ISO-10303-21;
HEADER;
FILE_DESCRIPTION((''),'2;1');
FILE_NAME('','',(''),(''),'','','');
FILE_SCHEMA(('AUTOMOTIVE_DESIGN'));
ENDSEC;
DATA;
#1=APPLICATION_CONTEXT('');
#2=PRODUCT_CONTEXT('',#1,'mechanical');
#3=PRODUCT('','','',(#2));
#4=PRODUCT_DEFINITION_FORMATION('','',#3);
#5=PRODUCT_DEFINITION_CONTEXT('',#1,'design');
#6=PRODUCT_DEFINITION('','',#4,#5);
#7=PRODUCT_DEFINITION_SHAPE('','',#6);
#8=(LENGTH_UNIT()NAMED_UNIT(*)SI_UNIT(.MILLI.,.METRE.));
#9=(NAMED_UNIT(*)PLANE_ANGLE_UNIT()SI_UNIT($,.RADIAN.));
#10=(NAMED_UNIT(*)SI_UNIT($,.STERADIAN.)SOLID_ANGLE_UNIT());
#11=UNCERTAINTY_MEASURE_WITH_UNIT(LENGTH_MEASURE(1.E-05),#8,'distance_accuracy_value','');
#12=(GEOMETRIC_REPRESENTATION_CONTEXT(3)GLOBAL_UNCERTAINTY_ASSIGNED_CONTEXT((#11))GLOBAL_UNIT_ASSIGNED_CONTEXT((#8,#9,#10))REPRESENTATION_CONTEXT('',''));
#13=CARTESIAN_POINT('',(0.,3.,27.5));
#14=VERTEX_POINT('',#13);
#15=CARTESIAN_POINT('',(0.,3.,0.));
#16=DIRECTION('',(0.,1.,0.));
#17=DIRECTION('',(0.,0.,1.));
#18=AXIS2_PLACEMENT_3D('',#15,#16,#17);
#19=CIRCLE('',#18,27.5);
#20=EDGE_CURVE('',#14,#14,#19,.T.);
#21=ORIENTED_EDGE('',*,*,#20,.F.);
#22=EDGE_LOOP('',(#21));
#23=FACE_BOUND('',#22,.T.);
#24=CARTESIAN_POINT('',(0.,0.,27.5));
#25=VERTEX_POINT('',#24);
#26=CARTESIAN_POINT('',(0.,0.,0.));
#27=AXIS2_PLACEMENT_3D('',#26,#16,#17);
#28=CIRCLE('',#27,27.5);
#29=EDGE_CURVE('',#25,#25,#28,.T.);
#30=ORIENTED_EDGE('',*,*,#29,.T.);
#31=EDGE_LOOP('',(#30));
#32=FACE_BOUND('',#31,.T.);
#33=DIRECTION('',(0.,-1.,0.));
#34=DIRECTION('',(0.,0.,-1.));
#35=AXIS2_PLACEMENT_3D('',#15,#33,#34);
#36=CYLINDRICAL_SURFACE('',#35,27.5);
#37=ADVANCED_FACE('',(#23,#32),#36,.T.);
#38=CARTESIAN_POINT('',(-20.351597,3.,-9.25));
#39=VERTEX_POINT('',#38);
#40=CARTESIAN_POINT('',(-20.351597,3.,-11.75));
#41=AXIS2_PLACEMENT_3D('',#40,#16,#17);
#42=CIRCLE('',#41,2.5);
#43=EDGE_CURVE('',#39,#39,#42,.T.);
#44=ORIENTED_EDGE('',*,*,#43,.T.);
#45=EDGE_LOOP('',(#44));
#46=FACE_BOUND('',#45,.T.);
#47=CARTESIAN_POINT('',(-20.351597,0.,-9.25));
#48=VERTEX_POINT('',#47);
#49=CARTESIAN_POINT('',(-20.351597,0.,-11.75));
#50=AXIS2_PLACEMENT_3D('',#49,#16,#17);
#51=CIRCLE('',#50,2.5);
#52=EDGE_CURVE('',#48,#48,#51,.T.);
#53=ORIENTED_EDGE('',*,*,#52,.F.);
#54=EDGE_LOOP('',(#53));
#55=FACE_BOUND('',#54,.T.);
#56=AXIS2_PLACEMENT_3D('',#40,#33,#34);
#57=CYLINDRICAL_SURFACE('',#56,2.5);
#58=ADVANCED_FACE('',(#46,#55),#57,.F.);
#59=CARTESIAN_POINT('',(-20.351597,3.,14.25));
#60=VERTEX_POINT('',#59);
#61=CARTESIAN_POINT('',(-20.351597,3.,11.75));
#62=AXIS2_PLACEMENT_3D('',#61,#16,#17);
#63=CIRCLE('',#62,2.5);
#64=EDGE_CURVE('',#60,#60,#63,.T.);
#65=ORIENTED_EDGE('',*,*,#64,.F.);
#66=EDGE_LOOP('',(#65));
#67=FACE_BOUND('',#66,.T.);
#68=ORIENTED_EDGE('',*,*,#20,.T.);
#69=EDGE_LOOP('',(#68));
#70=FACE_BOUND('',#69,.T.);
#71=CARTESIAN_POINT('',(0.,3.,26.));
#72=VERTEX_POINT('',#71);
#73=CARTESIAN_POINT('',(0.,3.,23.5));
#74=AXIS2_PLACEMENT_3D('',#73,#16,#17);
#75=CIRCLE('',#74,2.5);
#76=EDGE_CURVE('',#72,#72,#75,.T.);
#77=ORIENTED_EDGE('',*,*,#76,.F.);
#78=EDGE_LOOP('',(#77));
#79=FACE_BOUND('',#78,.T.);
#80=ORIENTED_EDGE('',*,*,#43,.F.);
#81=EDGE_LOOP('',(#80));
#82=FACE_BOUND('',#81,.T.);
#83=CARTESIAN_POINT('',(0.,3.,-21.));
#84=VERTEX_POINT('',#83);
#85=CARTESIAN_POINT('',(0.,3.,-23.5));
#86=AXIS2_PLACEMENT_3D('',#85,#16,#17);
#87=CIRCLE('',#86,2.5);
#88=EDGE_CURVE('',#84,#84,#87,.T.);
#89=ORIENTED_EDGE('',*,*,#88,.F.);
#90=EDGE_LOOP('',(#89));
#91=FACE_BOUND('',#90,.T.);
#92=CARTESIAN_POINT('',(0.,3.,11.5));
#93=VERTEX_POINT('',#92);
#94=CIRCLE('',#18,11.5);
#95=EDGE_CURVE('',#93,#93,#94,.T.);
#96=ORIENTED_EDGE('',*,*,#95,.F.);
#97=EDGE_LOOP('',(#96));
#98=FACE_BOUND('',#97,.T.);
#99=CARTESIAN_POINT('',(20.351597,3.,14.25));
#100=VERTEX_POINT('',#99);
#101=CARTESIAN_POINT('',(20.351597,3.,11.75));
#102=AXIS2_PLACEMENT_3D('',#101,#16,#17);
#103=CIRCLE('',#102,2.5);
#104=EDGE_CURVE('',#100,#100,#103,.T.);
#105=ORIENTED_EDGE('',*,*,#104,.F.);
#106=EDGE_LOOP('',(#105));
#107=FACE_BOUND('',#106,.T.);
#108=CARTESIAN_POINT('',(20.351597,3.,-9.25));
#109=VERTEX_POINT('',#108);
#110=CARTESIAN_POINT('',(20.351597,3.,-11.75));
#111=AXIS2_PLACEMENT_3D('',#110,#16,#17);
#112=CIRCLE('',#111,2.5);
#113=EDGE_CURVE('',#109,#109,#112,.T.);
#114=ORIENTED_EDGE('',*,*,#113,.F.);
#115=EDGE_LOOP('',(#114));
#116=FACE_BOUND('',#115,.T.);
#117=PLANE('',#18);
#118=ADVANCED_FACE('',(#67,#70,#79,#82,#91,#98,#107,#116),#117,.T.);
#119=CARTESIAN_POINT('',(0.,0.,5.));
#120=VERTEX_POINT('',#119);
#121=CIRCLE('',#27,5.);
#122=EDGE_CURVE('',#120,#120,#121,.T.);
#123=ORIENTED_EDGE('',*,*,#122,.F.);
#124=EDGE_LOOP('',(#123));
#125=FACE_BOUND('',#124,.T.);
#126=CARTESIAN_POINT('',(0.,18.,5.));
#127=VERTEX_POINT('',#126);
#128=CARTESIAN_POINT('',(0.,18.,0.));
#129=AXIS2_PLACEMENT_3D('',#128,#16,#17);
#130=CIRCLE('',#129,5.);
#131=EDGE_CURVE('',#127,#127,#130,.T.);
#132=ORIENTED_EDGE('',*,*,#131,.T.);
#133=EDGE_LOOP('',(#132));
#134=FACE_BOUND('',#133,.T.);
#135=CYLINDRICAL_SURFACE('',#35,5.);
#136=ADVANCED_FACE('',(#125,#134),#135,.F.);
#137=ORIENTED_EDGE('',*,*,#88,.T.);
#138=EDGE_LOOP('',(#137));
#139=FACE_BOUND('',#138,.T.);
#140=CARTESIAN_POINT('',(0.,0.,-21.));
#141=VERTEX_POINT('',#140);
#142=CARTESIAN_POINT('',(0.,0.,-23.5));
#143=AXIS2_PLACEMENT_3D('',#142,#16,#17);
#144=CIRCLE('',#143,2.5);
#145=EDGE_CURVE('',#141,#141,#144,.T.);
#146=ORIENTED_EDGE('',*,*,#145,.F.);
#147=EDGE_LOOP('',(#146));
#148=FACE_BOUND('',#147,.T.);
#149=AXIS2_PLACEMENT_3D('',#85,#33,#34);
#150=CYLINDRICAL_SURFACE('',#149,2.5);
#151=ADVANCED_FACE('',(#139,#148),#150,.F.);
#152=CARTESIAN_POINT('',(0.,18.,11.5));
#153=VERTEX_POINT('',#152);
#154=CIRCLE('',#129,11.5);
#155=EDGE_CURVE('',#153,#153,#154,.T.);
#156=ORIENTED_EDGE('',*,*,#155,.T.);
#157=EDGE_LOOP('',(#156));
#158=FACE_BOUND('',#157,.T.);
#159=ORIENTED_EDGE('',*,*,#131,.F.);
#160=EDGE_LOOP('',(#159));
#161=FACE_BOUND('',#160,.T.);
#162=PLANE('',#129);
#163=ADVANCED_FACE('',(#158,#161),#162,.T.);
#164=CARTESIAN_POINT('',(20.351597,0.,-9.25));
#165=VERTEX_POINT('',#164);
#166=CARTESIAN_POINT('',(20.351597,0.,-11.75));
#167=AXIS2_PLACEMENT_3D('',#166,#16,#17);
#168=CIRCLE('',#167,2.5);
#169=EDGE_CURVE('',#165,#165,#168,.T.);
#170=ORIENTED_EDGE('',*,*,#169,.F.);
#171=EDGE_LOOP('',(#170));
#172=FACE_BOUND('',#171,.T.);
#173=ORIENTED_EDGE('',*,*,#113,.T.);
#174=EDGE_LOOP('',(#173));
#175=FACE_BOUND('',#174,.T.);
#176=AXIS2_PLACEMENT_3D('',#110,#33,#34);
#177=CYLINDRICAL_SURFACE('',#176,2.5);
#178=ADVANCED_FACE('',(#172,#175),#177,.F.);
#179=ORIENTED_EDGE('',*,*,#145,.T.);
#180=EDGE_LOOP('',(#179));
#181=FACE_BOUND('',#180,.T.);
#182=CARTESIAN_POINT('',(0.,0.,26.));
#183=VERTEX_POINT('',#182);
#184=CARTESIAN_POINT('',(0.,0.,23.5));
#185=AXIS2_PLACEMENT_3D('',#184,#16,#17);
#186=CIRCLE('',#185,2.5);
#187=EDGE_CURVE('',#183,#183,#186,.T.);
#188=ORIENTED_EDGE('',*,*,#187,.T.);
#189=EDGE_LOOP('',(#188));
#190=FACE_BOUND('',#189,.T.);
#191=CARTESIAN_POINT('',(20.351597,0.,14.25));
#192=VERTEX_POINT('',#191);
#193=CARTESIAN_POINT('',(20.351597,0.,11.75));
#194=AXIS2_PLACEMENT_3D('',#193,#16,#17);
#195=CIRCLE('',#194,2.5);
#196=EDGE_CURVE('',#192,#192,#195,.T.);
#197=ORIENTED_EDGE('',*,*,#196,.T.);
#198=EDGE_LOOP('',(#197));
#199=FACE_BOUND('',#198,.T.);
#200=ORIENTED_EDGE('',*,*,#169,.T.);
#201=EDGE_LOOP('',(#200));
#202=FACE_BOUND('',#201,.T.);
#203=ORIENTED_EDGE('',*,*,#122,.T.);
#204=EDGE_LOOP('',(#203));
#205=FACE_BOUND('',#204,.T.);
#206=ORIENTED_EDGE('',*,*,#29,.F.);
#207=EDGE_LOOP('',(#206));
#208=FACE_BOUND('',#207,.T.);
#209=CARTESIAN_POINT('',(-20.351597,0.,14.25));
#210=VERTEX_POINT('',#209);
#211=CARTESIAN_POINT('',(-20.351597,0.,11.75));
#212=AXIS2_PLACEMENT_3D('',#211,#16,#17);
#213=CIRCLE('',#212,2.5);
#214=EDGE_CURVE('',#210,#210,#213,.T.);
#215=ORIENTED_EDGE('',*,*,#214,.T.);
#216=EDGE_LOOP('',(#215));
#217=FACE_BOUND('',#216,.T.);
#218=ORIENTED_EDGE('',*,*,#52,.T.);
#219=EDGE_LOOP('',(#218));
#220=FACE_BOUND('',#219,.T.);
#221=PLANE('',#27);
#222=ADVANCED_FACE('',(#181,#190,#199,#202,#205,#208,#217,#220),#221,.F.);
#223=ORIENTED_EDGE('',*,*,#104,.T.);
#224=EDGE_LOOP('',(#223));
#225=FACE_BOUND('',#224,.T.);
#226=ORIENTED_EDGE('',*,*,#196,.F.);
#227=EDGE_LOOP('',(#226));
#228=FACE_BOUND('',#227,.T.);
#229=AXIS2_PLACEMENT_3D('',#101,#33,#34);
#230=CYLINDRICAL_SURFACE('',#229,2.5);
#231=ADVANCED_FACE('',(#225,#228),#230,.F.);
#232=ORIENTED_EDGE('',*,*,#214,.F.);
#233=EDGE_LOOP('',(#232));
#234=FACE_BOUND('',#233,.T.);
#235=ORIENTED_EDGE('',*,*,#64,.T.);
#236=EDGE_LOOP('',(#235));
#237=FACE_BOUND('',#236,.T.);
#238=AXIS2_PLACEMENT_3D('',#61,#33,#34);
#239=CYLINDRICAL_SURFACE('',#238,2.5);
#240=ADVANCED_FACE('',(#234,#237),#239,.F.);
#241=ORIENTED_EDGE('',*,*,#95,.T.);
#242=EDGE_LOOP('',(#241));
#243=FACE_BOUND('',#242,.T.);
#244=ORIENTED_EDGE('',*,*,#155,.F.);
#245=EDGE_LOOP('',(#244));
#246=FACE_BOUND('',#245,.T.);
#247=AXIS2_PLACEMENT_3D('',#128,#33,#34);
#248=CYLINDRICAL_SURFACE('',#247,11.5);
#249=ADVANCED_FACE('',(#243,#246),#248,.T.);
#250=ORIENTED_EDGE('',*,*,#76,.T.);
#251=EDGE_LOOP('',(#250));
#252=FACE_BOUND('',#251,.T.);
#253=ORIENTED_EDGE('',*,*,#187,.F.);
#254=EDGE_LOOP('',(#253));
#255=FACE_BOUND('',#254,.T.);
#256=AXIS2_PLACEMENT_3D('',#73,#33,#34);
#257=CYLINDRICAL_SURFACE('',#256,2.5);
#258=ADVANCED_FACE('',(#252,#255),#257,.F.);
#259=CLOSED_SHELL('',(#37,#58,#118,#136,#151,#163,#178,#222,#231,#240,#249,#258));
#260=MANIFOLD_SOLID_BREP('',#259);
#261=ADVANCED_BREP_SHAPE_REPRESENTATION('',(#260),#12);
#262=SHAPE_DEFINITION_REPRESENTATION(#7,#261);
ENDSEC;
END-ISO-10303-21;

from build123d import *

# Parameters (mm, degrees)
SKETCH1_R           = 27.5
SKETCH1_R_2         = 5
SKETCH1_R_3         = 2.5
BOSS_EXTRUDE1_DEPTH = 3
SKETCH2_R           = 11.5
SKETCH2_R_2         = 5
BOSS_EXTRUDE2_DEPTH = 15


with BuildPart() as part:
    # Sketch1 → Boss-Extrude1 (new body)
    with BuildSketch(Plane(origin=(0, 0, 0), x_dir=(1, 0, 0), z_dir=(0, 1, 0))):
        Circle(SKETCH1_R)
        Circle(SKETCH1_R_2, mode=Mode.SUBTRACT)
        with Locations((0, 23.5)):
            Circle(SKETCH1_R_3, mode=Mode.SUBTRACT)
        with Locations((20.351596989, 11.75)):
            Circle(SKETCH1_R_3, mode=Mode.SUBTRACT)
        with Locations((20.351596989, -11.75)):
            Circle(SKETCH1_R_3, mode=Mode.SUBTRACT)
        with Locations((0, -23.5)):
            Circle(SKETCH1_R_3, mode=Mode.SUBTRACT)
        with Locations((-20.351596989, -11.75)):
            Circle(SKETCH1_R_3, mode=Mode.SUBTRACT)
        with Locations((-20.351596989, 11.75)):
            Circle(SKETCH1_R_3, mode=Mode.SUBTRACT)
    extrude(amount=BOSS_EXTRUDE1_DEPTH)

    # Sketch2 → Boss-Extrude2 (add)
    with BuildSketch(Plane(origin=(0, 3, 0), x_dir=(1, 0, 0), z_dir=(0, 1, 0))):
        Circle(SKETCH2_R)
        Circle(SKETCH2_R_2, mode=Mode.SUBTRACT)
    extrude(amount=BOSS_EXTRUDE2_DEPTH)


solid = part.part
